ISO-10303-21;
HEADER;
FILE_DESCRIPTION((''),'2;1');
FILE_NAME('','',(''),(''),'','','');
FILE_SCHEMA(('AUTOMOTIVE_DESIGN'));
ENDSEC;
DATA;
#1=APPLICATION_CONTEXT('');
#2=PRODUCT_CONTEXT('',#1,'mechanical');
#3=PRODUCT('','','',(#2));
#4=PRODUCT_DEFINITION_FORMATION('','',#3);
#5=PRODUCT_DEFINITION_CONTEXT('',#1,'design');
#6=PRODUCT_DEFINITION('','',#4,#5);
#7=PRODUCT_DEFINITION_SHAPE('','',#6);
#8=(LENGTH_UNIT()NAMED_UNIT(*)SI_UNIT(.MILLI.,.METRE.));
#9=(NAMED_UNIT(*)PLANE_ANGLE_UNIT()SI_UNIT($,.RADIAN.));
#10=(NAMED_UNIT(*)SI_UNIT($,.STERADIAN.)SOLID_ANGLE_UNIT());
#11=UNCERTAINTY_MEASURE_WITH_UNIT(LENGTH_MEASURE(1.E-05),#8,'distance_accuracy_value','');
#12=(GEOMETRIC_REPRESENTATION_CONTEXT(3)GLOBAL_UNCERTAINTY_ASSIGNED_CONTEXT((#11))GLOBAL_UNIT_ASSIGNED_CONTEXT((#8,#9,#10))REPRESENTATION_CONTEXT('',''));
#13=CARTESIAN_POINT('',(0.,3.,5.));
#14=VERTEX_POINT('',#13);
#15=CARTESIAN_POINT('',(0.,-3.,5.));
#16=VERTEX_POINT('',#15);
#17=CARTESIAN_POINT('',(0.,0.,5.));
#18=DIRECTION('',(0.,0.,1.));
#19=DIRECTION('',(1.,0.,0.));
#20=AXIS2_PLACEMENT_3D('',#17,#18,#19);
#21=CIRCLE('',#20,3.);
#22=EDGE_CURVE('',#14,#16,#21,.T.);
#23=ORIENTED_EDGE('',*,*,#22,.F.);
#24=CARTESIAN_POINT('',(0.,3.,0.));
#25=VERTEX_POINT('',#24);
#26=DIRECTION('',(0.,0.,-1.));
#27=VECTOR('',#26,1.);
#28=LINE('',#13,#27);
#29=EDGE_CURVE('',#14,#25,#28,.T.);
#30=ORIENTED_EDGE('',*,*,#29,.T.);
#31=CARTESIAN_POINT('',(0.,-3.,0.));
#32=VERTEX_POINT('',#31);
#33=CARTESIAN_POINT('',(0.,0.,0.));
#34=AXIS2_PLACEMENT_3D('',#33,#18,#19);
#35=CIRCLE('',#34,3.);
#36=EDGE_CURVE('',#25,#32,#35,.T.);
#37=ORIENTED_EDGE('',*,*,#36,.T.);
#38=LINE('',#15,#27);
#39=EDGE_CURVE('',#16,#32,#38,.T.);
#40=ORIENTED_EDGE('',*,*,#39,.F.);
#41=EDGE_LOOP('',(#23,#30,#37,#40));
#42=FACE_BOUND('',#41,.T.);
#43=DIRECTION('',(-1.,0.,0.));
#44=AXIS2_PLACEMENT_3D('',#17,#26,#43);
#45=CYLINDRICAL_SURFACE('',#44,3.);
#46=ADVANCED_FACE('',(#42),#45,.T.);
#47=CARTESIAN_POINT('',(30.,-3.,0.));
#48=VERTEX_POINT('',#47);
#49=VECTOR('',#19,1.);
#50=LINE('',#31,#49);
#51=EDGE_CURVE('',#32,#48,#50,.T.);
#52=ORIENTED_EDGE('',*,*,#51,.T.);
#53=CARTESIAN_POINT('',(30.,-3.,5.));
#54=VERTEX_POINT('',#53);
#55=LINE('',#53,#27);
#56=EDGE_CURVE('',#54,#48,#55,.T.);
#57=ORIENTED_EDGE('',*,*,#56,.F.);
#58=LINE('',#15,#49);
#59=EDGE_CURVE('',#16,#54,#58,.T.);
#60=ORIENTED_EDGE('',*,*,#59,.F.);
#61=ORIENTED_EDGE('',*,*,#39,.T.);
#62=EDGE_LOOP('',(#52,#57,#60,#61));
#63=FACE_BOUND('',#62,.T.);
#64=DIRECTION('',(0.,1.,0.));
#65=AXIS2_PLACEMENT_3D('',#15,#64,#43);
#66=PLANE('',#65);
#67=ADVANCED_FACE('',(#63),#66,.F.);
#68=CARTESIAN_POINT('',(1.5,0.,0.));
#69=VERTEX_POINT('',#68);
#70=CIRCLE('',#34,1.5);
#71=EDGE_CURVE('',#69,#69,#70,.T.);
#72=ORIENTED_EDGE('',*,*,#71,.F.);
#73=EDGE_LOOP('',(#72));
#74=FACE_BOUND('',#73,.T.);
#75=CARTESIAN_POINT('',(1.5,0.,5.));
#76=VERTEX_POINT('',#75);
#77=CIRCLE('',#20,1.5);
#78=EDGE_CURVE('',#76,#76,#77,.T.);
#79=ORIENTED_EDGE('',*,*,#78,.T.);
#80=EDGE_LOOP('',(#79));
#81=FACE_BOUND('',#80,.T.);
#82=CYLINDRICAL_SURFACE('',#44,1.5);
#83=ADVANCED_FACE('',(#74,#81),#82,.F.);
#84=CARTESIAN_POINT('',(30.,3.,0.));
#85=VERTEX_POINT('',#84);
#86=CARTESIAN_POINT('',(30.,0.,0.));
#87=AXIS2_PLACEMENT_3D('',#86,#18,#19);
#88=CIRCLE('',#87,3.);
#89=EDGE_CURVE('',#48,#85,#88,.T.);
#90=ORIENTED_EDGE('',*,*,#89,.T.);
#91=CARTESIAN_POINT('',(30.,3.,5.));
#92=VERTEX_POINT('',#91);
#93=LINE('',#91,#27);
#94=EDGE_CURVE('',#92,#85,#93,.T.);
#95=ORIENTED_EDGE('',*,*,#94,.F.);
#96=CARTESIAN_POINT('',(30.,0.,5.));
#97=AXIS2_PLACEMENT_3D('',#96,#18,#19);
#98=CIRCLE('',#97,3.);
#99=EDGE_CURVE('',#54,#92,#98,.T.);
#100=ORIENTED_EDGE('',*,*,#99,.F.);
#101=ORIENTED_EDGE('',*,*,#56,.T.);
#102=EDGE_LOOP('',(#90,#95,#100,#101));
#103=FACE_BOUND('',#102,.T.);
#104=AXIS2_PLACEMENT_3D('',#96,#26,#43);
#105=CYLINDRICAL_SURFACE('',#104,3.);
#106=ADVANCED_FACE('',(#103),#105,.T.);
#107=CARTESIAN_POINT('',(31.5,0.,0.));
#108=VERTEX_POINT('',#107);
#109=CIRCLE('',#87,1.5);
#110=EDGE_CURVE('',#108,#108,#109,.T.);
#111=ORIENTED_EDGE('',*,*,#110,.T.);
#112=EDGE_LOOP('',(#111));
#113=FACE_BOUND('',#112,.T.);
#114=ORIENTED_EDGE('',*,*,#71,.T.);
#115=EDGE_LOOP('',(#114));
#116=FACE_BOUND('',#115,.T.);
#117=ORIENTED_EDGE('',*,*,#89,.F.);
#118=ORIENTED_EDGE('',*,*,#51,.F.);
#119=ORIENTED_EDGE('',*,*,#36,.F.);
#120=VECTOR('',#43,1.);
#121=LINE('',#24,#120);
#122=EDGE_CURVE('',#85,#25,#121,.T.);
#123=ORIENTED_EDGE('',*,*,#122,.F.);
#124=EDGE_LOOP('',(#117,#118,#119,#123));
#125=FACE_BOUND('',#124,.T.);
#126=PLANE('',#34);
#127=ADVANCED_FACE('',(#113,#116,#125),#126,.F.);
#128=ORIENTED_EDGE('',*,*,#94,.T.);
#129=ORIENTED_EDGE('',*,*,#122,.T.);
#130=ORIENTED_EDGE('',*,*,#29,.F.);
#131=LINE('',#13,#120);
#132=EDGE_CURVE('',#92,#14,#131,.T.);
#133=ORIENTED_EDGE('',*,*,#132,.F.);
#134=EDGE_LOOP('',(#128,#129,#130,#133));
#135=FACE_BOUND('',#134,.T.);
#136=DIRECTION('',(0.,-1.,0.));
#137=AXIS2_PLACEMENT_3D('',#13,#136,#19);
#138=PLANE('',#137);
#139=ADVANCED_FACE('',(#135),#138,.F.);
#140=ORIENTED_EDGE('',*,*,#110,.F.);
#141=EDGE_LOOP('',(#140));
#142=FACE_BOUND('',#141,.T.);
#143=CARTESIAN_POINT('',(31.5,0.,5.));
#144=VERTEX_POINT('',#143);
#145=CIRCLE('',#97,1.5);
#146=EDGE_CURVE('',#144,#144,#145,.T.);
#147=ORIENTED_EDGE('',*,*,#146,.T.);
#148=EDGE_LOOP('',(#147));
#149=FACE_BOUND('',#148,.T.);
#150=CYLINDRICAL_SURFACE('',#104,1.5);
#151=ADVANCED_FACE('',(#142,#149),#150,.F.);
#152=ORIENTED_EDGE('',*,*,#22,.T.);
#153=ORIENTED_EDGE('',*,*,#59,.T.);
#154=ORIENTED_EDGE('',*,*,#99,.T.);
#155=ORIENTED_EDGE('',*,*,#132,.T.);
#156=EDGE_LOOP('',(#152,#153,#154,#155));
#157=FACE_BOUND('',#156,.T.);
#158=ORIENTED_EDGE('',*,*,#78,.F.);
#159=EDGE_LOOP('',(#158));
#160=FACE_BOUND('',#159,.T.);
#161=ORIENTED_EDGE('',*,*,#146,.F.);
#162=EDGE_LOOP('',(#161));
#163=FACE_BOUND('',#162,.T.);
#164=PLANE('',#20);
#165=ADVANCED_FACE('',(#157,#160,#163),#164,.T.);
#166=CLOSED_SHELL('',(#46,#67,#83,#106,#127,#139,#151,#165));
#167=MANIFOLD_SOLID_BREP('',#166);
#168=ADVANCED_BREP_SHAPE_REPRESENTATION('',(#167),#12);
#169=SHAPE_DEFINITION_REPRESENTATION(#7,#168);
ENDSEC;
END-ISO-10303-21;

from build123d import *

# Parameters (mm, degrees)
SKETCH1_R           = 1.5
BOSS_EXTRUDE1_DEPTH = 5


with BuildPart() as part:
    # Sketch1 → Boss-Extrude1 (new body)
    with BuildSketch(Plane.XY):
        with BuildLine():
            Line((0, 3), (30, 3))
            ThreePointArc((30, 3), (33, 0), (30, -3))
            Line((30, -3), (0, -3))
            ThreePointArc((0, -3), (-3, 0), (0, 3))
        make_face()
        Circle(SKETCH1_R, mode=Mode.SUBTRACT)
        with Locations((30, 0)):
            Circle(SKETCH1_R, mode=Mode.SUBTRACT)
    extrude(amount=BOSS_EXTRUDE1_DEPTH)


solid = part.part
